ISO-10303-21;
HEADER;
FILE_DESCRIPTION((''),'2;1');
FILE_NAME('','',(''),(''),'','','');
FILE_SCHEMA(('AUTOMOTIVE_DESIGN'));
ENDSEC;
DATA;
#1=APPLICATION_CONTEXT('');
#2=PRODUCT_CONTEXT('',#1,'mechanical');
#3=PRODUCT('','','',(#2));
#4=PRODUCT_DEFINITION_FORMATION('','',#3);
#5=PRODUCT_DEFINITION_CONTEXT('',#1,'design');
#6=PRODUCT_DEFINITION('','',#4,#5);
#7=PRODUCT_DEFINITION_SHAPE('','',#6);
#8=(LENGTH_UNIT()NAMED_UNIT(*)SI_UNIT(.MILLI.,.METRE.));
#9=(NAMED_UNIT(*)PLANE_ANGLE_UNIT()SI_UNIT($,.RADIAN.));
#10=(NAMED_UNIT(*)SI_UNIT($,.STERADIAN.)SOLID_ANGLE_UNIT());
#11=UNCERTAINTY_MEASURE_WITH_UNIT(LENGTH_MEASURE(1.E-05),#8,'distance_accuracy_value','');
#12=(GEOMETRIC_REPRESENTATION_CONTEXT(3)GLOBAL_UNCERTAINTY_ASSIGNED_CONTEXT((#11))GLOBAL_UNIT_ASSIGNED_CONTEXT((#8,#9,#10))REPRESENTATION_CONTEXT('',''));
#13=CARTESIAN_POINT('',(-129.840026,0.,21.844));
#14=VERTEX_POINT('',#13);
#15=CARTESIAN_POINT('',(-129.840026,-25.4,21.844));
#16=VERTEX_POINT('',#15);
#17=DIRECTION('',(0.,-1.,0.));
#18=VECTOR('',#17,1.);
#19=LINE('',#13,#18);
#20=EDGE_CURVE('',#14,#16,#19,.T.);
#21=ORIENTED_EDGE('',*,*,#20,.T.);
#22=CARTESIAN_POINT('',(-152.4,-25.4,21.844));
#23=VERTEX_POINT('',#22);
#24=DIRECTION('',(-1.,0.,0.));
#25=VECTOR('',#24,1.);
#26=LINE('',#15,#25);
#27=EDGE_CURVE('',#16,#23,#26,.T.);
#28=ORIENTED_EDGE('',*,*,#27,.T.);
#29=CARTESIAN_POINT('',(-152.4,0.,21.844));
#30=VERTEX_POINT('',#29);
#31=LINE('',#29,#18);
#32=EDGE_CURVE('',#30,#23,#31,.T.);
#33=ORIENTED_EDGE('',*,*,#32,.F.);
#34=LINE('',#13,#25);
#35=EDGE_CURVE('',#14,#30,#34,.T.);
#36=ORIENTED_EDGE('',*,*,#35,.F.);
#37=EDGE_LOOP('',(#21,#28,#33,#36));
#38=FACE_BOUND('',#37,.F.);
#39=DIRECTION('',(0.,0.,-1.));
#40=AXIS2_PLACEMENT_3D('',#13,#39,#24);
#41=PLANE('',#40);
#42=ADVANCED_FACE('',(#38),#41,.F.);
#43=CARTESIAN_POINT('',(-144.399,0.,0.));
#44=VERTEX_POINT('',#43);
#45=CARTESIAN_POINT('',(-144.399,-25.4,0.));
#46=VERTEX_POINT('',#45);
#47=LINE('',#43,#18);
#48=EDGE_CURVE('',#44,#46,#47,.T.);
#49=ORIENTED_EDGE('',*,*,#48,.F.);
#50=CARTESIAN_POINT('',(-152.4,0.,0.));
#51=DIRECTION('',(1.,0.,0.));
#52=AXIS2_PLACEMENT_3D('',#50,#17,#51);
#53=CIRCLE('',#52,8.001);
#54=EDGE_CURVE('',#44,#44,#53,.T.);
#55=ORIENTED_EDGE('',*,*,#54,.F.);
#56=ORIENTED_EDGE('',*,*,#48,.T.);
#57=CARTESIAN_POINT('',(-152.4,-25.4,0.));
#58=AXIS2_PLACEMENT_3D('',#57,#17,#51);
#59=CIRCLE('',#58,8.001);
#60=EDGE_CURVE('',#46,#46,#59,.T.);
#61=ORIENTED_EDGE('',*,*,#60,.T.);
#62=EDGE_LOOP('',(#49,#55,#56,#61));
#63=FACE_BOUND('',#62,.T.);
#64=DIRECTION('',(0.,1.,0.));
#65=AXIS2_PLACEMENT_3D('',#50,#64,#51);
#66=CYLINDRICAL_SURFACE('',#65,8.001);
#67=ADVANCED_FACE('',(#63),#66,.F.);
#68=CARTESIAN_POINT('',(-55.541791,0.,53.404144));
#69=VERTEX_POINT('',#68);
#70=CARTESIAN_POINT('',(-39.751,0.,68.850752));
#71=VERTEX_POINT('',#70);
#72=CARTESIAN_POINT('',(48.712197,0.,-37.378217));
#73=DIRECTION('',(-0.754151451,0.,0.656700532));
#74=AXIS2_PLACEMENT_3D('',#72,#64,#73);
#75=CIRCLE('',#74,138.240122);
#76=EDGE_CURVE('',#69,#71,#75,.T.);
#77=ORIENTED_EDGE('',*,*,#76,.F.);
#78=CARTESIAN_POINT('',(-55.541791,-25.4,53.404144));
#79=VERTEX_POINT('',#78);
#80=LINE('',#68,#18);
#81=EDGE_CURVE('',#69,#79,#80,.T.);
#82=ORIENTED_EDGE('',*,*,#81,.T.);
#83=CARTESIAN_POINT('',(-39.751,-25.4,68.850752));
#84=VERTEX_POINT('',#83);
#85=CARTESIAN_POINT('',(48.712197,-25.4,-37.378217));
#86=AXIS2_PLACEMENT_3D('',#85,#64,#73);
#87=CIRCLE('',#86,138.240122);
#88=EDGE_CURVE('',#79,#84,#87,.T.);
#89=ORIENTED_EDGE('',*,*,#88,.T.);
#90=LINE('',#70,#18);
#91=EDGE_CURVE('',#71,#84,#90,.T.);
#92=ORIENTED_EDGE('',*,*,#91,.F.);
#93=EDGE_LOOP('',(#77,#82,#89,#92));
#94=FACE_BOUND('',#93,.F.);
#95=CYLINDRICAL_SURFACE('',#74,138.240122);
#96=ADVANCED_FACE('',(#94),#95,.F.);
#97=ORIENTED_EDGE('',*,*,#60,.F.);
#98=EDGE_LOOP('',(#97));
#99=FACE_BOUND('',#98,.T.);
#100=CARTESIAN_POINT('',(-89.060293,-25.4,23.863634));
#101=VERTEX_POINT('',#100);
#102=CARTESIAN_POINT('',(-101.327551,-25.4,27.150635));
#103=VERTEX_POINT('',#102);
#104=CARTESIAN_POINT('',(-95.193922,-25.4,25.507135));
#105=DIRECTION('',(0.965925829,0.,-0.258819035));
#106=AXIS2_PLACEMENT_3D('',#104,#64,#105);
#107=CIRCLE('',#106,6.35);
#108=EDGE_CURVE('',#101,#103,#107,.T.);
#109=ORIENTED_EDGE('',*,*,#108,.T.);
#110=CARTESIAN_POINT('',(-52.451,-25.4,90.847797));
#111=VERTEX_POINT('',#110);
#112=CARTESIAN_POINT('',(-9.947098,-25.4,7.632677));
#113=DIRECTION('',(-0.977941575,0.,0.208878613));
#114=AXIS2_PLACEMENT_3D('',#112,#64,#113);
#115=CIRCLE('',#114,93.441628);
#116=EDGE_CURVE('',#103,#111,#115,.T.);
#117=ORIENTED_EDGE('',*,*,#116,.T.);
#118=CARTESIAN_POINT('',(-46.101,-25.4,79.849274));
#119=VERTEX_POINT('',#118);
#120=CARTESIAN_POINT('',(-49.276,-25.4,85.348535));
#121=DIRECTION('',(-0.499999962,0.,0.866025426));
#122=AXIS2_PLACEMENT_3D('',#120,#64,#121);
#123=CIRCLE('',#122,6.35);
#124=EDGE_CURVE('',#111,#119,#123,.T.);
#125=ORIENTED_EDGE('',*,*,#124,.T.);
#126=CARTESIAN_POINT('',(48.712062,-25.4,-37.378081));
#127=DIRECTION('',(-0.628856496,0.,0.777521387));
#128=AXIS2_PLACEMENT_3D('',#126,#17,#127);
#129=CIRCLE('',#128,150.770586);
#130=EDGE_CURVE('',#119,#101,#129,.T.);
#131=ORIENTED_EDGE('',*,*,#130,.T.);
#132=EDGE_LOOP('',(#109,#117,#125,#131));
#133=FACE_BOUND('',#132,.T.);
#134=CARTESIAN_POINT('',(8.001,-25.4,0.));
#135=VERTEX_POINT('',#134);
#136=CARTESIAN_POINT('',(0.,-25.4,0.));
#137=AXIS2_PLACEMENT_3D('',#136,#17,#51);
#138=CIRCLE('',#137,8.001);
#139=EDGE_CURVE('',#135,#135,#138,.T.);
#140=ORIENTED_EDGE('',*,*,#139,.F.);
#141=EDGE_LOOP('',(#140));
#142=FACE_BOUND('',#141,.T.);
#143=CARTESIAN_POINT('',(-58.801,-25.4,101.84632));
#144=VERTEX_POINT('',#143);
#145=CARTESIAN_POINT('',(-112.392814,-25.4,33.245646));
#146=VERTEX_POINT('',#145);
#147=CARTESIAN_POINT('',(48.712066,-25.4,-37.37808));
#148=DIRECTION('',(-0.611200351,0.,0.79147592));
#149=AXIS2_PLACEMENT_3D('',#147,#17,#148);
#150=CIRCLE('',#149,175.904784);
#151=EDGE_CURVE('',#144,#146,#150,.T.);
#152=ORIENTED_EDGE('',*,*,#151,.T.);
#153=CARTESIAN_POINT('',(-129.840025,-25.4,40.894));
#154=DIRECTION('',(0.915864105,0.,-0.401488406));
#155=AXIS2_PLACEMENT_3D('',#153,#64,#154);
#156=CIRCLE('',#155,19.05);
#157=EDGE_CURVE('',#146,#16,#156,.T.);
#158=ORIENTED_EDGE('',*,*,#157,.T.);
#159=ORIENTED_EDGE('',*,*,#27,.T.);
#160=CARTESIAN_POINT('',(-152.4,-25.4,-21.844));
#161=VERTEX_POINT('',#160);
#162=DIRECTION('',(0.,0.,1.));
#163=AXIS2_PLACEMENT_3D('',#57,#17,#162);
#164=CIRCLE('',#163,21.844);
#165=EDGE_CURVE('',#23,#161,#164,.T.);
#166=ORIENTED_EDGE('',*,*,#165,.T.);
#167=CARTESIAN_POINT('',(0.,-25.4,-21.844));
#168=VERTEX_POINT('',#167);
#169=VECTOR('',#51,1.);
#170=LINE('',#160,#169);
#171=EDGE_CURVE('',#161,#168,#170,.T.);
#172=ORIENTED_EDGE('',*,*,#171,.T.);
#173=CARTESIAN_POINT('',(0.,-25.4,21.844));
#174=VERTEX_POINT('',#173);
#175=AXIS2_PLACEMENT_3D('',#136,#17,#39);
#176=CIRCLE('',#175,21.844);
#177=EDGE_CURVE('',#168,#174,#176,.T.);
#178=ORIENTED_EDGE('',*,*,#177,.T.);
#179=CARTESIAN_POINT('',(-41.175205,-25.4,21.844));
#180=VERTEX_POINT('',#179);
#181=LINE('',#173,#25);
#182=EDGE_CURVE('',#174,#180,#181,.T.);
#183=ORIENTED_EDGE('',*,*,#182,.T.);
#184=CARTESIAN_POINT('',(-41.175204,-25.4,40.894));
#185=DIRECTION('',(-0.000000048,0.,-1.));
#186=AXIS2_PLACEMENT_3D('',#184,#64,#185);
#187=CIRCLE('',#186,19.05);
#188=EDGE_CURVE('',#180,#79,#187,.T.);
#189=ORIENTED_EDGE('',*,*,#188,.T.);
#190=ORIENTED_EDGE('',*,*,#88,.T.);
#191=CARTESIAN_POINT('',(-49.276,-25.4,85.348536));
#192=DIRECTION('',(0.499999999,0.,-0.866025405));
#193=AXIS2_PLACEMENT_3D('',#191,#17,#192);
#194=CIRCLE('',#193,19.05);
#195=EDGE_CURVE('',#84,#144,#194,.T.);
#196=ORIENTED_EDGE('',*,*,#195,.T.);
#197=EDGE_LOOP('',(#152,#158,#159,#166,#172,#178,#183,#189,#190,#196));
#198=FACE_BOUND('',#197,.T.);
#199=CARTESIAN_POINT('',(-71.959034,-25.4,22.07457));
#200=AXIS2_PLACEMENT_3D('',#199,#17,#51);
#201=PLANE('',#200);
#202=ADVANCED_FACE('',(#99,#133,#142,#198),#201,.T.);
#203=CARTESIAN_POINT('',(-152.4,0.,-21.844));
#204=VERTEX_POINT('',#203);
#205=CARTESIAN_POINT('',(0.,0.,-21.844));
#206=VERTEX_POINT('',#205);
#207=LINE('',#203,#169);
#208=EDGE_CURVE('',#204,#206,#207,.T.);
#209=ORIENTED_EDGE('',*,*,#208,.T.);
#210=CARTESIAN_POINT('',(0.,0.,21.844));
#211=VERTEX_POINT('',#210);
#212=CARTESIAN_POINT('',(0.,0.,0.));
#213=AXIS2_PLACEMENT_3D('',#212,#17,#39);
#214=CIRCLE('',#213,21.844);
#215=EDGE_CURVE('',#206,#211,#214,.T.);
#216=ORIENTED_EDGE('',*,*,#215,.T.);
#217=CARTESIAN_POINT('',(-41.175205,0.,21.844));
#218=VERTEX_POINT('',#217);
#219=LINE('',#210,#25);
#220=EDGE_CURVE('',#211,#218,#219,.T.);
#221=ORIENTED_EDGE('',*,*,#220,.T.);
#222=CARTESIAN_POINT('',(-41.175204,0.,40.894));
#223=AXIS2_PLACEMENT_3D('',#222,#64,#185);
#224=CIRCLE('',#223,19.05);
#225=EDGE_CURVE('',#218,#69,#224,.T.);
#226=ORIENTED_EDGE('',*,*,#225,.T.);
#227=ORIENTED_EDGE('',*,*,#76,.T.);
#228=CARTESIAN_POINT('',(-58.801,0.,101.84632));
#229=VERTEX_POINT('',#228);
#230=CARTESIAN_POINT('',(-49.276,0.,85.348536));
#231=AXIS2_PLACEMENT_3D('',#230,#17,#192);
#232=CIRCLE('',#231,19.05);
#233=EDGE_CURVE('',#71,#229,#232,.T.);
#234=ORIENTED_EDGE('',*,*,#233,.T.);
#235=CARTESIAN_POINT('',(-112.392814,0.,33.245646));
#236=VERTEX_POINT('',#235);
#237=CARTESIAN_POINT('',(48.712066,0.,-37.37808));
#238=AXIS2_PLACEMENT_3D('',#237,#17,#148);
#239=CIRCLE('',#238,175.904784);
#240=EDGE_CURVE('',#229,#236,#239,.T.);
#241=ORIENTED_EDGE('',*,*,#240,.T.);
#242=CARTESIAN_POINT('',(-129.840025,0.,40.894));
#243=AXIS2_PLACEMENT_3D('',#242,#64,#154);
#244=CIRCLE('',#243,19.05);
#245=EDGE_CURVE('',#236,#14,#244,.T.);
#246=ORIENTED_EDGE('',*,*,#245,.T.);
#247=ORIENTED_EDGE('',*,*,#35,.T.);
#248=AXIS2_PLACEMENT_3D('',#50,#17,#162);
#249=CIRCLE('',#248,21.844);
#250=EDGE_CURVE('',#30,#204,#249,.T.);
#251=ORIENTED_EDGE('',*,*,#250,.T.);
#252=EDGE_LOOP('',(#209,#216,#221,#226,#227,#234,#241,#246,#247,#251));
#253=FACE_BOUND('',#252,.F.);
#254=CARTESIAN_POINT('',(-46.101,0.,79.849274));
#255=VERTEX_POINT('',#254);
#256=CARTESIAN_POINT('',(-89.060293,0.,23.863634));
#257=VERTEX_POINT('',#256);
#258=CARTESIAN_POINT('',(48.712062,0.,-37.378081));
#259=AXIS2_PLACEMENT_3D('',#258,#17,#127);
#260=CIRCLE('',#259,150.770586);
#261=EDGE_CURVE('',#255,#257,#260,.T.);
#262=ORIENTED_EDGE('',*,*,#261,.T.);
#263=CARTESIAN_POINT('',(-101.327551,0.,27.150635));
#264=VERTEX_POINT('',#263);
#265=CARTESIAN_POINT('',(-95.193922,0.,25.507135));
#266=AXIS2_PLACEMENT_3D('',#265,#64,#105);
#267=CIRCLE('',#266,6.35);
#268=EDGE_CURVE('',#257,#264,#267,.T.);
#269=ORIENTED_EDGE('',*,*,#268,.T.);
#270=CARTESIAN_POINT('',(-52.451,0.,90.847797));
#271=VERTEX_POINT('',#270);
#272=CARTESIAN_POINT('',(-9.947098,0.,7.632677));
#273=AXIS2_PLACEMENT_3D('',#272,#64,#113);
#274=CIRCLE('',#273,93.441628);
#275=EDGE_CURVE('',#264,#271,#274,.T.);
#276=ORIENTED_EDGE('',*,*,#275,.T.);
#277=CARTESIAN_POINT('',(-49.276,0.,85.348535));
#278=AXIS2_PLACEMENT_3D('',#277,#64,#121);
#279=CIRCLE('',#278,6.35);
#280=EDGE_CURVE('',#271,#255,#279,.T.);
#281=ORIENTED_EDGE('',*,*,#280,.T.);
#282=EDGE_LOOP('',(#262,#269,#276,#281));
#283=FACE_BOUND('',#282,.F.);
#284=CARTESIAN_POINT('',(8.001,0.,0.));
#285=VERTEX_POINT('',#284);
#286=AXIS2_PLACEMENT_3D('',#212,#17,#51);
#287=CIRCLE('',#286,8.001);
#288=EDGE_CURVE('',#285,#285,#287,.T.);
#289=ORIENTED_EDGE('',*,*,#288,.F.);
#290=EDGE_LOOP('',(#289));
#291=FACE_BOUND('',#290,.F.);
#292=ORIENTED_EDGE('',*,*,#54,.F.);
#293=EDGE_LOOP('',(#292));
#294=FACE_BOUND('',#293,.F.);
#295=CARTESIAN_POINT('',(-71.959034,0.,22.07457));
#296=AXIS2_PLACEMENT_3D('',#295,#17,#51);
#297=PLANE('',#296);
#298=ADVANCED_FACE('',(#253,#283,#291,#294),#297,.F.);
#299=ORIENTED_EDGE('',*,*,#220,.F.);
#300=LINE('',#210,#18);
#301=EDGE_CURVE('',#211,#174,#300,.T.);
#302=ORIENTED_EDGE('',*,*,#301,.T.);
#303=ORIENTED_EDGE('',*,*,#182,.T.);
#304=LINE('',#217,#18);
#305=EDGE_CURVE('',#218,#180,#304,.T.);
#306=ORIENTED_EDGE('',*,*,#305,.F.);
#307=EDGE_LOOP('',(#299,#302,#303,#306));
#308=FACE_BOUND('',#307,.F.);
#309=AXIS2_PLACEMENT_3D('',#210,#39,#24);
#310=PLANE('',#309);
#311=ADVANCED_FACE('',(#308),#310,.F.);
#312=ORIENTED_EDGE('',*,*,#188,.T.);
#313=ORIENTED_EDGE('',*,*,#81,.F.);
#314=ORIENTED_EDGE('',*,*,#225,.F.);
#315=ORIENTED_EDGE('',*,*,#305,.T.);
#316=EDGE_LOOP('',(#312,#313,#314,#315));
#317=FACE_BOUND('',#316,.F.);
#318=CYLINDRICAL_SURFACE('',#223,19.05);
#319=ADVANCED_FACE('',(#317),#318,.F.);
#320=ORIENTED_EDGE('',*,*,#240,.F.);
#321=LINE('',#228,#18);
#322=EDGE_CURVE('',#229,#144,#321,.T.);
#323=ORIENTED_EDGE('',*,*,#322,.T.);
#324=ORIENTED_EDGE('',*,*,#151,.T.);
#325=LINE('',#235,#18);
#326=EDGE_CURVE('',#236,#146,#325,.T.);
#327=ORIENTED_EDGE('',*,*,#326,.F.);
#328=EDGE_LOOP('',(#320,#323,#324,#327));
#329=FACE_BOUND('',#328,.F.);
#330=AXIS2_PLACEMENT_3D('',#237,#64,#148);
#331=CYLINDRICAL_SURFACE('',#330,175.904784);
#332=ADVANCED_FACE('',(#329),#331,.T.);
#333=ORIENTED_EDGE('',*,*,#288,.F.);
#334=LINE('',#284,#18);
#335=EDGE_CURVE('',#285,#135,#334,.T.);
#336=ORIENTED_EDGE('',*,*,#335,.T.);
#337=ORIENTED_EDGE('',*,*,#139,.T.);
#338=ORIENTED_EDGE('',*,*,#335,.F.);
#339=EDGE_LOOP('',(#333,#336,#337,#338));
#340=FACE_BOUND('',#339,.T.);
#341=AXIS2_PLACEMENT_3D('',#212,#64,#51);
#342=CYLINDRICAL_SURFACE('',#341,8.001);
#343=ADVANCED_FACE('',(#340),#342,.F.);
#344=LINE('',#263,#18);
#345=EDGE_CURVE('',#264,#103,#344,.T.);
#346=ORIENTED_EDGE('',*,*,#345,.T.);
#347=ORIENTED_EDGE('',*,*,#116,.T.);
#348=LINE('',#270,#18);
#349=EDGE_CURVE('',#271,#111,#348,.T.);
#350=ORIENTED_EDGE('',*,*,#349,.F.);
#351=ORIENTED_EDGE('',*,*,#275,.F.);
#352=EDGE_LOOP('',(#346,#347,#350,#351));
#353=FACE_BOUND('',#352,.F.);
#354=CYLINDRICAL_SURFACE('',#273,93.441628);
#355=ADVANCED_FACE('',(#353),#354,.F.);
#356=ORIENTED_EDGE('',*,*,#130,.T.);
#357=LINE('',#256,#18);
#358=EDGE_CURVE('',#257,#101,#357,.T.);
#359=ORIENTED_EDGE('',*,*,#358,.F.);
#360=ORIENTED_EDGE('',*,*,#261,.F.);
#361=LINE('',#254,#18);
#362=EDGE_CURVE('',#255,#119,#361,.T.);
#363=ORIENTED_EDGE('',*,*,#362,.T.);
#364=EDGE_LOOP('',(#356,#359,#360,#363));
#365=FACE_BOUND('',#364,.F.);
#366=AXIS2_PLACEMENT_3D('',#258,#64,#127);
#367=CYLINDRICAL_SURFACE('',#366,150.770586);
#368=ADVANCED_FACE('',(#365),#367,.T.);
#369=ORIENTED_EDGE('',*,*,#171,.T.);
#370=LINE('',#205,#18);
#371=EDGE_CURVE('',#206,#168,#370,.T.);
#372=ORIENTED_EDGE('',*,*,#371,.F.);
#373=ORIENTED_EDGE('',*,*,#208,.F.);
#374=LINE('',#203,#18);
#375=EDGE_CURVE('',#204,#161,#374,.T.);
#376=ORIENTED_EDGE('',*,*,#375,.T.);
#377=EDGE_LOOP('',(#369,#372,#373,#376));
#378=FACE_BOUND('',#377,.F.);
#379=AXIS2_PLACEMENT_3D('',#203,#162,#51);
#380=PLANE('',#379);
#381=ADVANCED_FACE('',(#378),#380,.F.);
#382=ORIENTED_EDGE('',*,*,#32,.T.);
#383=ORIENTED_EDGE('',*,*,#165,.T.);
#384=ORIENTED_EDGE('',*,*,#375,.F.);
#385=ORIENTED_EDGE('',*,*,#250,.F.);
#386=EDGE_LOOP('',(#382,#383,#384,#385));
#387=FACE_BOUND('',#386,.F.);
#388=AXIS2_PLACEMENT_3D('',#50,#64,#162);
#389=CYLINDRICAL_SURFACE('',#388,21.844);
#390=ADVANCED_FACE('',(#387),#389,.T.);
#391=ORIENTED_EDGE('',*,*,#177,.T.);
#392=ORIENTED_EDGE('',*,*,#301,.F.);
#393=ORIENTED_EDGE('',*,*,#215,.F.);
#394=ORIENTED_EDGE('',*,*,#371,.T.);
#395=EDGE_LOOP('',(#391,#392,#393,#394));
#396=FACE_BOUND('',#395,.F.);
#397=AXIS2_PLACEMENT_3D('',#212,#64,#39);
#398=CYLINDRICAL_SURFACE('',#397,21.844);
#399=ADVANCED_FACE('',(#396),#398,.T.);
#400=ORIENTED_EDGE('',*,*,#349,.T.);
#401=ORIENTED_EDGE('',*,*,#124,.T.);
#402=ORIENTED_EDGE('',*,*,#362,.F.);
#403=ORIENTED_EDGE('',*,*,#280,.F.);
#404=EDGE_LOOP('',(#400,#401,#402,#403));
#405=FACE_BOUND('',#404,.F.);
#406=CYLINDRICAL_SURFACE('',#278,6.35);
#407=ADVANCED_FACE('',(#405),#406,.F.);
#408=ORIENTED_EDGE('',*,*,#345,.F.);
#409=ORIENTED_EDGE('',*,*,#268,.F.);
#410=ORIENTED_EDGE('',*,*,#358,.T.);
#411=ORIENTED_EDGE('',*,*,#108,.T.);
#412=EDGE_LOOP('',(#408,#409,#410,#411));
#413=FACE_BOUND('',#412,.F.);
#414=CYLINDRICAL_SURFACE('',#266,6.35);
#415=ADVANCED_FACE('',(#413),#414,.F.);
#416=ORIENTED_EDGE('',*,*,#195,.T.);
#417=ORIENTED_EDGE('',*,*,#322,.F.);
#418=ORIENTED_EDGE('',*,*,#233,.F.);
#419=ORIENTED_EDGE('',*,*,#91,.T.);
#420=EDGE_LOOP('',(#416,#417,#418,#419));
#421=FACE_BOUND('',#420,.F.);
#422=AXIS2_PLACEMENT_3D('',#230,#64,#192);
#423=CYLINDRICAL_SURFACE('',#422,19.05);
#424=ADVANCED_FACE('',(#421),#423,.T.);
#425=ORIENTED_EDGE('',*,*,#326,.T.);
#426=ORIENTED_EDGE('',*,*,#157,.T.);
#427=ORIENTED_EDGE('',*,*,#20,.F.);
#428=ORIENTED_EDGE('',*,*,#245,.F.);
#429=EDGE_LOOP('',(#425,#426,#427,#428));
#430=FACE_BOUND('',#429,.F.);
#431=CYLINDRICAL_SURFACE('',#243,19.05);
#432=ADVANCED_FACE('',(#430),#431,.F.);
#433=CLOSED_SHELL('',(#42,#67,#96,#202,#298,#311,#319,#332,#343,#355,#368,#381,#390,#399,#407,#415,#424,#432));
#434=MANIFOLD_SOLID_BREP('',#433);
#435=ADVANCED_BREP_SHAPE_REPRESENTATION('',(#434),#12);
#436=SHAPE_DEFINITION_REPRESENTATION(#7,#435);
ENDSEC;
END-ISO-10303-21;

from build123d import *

# Parameters (mm, degrees)
F0_R     = 8.001
F1_DEPTH = 25.4


with BuildPart() as f1:
    # F0 (on Front) → F1 (new body)
    with BuildSketch(Plane.XZ):
        with BuildLine():
            Line((-76.2, -21.844), (0, -21.844))
            ThreePointArc((0, -21.844), (21.844, 0), (0, 21.844))
            Line((0, 21.844), (-41.175205, 21.844))
            ThreePointArc((-41.175205, 21.844), (-58.513323, 33.001463), (-55.541791, 53.404144))
            ThreePointArc((-55.541791, 53.404144), (-47.955418, 61.443356), (-39.751, 68.850752))
            ThreePointArc((-39.751, 68.850752), (-32.778216, 94.873536), (-58.801, 101.84632))
            ThreePointArc((-58.801, 101.84632), (-89.907606, 70.913561), (-112.392814, 33.245646))
            ThreePointArc((-112.392814, 33.245646), (-119.418861, 24.947156), (-129.840026, 21.844))
            Line((-129.840026, 21.844), (-152.4, 21.844))
            ThreePointArc((-152.4, 21.844), (-174.244, 0), (-152.4, -21.844))
            Line((-152.4, -21.844), (-76.2, -21.844))
        make_face()
        with Locations((-152.4, 0)):
            Circle(F0_R, mode=Mode.SUBTRACT)
        Circle(F0_R, mode=Mode.SUBTRACT)
        with BuildLine():
            ThreePointArc((-52.451, 90.847797), (-43.776739, 88.523536), (-46.101, 79.849274))
            ThreePointArc((-46.101, 79.849274), (-70.902285, 54.405237), (-89.060293, 23.863634))
            ThreePointArc((-89.060293, 23.863634), (-96.837423, 19.373506), (-101.327551, 27.150635))
            ThreePointArc((-101.327551, 27.150635), (-84.079326, 64.516336), (-52.451, 90.847797))
        make_face(mode=Mode.SUBTRACT)
    extrude(amount=F1_DEPTH)


solid = f1.part
